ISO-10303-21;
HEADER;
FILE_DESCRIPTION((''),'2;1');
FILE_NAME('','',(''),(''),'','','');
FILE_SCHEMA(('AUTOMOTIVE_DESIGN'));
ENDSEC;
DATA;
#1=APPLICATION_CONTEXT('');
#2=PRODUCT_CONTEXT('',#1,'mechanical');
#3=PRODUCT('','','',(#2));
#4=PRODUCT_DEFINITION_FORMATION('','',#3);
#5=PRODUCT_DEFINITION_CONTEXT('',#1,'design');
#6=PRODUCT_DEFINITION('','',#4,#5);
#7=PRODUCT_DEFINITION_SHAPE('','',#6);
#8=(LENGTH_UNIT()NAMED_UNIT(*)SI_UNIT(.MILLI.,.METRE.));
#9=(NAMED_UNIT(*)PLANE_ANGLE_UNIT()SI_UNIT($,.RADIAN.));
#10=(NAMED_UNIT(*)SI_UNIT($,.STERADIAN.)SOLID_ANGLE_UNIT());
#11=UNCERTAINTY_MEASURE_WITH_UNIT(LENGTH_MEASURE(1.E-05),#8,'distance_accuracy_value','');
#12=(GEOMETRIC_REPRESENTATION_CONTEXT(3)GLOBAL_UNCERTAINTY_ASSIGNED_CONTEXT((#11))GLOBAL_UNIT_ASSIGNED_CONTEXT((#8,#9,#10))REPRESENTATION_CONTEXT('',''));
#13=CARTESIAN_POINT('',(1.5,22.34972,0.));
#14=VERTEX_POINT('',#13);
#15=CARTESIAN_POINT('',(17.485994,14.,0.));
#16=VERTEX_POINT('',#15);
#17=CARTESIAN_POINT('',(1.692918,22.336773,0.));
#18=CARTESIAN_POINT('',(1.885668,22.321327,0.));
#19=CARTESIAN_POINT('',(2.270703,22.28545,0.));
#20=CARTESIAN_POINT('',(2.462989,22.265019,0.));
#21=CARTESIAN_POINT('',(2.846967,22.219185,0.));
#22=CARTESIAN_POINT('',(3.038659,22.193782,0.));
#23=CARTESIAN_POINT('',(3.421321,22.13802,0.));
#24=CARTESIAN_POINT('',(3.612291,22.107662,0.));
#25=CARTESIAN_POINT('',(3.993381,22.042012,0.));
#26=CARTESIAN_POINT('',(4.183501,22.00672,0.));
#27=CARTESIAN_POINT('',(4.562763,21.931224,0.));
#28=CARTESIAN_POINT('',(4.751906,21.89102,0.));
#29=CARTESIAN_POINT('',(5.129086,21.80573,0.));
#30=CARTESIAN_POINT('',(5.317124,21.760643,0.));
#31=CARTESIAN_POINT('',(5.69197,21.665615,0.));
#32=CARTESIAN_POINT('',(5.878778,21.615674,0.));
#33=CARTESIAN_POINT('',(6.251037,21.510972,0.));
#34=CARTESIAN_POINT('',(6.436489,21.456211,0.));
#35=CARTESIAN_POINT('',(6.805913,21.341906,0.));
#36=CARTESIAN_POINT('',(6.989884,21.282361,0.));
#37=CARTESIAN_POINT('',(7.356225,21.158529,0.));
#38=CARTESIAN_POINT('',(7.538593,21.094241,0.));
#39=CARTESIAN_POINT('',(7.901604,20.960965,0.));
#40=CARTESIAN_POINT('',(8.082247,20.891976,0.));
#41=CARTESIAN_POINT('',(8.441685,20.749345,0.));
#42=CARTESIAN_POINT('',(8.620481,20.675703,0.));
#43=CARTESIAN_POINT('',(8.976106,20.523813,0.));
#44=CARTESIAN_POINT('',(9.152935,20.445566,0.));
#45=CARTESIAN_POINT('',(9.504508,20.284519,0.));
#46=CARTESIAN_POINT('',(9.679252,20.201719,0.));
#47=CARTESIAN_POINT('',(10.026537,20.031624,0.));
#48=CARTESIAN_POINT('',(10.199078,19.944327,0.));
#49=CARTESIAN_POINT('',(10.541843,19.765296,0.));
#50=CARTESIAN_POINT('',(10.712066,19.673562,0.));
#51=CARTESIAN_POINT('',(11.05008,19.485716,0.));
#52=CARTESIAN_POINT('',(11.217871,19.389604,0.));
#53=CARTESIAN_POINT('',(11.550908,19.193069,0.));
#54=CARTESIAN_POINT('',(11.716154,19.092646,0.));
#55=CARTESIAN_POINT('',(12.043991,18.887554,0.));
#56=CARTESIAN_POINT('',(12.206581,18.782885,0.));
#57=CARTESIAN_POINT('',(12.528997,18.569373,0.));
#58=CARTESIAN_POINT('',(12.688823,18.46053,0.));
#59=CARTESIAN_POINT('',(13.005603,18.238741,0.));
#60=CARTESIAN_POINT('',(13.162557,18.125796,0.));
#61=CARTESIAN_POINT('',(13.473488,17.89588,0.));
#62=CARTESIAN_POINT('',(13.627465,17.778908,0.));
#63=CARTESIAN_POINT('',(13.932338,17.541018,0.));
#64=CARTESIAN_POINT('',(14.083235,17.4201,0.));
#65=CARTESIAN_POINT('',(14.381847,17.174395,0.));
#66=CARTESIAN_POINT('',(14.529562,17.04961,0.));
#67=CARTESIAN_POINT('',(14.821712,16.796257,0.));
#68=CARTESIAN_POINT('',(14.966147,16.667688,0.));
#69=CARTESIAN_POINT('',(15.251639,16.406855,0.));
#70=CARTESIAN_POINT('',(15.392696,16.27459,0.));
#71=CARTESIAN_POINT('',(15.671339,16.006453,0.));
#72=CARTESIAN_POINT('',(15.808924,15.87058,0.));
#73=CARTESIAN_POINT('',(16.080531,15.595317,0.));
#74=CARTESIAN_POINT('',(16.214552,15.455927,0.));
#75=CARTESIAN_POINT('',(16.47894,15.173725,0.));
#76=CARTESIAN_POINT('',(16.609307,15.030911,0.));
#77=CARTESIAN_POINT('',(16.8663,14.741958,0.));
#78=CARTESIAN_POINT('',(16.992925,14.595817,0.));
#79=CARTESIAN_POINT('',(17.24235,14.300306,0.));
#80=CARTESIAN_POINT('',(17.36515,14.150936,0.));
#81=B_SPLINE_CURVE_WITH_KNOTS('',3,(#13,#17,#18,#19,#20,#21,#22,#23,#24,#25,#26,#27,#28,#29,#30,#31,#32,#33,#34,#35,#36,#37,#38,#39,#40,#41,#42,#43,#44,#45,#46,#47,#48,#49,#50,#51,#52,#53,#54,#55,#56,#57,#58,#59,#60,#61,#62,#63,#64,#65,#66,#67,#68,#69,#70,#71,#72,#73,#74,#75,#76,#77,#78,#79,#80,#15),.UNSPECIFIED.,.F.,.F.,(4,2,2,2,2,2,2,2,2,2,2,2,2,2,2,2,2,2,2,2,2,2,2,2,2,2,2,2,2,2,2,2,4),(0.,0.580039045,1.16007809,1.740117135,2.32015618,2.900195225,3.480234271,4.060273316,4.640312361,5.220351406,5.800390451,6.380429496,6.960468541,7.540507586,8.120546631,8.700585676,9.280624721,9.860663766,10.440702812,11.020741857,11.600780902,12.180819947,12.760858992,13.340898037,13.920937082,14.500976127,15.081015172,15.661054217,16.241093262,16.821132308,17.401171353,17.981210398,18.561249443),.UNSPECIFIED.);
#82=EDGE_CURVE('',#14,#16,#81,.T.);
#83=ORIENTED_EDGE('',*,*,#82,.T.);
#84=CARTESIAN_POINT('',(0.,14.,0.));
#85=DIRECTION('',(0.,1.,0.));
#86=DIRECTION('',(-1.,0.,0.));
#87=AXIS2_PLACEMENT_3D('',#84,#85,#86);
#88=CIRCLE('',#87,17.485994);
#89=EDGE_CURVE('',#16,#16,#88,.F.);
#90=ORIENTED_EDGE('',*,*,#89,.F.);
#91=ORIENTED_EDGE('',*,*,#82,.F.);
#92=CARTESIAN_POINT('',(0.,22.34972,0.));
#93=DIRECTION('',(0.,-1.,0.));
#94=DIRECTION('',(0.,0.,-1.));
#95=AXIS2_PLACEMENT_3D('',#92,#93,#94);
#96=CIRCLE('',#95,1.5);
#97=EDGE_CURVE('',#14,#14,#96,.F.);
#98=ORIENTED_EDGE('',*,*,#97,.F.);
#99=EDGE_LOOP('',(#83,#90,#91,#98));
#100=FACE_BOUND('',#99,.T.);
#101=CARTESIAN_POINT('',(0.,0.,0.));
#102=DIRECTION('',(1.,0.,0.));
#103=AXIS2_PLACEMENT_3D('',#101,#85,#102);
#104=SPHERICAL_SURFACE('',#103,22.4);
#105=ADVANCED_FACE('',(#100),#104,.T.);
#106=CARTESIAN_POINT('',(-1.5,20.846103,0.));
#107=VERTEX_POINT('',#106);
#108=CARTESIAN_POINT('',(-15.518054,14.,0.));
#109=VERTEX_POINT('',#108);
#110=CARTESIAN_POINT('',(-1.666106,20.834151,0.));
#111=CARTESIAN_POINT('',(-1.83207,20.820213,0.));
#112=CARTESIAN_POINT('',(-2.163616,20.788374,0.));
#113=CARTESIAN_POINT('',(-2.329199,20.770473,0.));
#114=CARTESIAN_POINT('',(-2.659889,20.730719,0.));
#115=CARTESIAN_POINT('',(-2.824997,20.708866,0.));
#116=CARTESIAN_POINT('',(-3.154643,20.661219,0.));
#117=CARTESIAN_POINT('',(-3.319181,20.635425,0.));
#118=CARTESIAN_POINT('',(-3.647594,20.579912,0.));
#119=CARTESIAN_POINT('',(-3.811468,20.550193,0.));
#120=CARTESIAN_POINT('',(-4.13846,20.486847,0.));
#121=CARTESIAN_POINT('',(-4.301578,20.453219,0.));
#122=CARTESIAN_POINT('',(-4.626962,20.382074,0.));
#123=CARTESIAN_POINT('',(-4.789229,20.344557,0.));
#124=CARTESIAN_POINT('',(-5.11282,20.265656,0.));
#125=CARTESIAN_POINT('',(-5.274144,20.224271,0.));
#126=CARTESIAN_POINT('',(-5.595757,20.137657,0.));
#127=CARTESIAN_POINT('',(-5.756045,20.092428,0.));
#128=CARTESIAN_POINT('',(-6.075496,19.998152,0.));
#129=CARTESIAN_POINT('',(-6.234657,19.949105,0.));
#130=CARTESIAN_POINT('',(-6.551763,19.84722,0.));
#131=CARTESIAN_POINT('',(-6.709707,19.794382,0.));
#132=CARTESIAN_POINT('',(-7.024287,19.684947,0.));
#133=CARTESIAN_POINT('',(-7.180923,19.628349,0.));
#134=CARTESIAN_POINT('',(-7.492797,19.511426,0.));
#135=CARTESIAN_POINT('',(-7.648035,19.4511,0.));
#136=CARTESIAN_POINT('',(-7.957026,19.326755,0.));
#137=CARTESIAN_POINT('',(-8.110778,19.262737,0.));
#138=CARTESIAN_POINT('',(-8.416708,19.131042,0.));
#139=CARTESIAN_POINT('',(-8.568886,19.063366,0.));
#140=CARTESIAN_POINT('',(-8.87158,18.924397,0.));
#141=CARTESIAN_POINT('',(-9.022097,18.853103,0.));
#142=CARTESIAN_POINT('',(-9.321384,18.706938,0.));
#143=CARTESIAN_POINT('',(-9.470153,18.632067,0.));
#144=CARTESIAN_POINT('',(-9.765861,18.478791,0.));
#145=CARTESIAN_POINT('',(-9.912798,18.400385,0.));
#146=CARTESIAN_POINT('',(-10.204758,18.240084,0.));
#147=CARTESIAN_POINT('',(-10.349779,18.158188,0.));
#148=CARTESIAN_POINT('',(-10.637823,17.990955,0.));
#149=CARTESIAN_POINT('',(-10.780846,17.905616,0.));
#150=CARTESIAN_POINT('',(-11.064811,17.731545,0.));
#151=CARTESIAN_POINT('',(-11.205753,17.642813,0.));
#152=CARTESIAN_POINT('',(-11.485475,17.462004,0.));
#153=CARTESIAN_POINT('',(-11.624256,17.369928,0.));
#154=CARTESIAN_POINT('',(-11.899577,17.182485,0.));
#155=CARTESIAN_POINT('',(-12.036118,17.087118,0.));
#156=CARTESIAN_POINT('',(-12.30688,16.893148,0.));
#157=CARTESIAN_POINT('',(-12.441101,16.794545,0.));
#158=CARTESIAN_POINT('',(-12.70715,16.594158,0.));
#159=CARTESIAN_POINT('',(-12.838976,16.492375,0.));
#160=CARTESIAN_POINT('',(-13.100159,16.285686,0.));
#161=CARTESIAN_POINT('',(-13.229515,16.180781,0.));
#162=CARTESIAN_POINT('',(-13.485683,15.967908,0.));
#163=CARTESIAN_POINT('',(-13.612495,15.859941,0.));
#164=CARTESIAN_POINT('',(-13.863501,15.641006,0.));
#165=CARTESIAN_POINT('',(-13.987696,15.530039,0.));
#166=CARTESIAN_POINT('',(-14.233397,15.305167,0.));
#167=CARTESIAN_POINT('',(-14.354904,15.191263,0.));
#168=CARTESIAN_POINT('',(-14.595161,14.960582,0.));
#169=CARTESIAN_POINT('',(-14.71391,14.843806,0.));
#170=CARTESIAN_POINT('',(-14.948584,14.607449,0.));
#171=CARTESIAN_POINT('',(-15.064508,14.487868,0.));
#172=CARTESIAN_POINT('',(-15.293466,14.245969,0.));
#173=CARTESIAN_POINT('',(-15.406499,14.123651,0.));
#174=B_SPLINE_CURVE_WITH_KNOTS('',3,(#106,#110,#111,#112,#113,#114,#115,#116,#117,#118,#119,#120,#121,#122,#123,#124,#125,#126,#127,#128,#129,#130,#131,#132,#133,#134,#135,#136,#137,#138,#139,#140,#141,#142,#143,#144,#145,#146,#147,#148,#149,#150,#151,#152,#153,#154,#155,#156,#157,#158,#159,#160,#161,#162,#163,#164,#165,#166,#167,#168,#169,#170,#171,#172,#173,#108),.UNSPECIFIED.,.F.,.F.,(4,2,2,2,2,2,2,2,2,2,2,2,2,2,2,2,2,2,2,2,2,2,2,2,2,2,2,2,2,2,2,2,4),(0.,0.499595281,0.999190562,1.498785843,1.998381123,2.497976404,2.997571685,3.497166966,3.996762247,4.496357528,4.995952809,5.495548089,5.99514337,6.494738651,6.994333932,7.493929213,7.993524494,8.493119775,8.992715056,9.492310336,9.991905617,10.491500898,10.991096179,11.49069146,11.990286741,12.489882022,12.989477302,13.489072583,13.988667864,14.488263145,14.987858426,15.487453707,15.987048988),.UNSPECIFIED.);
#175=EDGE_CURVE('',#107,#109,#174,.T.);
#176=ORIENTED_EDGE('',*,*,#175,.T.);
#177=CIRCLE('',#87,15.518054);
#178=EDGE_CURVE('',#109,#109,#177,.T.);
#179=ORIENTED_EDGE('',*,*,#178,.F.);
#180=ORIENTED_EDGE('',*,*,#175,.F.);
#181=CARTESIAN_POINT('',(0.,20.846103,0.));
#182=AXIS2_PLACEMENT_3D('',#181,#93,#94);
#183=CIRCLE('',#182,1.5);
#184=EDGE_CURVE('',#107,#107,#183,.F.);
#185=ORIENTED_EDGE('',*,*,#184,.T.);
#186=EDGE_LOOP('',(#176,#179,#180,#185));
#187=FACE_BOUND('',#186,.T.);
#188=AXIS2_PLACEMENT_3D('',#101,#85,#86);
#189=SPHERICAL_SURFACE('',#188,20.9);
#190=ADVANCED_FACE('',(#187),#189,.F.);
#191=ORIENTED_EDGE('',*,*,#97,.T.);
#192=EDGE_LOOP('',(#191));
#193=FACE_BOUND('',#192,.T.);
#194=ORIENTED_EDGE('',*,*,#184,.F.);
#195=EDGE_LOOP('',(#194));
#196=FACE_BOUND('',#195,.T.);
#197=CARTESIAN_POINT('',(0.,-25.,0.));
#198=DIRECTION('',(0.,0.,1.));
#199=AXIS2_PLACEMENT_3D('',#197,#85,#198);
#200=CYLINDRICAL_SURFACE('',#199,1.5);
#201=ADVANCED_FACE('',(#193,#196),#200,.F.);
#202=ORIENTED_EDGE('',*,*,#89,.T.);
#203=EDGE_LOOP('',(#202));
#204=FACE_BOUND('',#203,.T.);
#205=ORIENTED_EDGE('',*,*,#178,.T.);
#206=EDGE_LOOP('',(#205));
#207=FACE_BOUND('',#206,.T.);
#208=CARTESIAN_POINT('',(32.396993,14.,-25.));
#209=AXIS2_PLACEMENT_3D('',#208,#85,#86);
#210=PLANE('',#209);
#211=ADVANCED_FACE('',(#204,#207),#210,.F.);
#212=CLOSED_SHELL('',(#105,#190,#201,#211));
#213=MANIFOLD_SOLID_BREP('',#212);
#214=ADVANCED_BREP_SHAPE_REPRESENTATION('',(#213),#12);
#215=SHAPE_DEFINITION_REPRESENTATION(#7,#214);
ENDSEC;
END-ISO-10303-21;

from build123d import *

# Parameters (mm, degrees)
SKETCH3_W          = 65.903471667
SKETCH3_H          = 42.94663955
CUT_EXTRUDE1_DEPTH = 25
SKETCH5_R          = 1.5
CUT_EXTRUDE2_DEPTH = 25


with BuildPart() as part:
    # Sketch1 → Revolve1 (revolve)
    with BuildSketch(Plane.XY):
        with BuildLine():
            Line((0, 22.4), (0, 0))
            Line((0, 0), (0, -22.4))
            ThreePointArc((0, -22.4), (-22.4, 0), (0, 22.4))
        make_face()
    revolve(axis=Axis((0, 51.787709497, 0), (0, -1, 0)))

    # Sketch3 → Cut-Extrude1 (cut, symmetric)
    with BuildSketch(Plane.XY):
        with Locations((-0.554743028, -7.473319775)):
            Rectangle(SKETCH3_W, SKETCH3_H)
    extrude(amount=CUT_EXTRUDE1_DEPTH, both=True, mode=Mode.SUBTRACT)

    # Sketch4 → Cut-Revolve1 (revolve, cut)
    with BuildSketch(Plane.XY):
        with BuildLine():
            Line((0, 0), (0, 20.9))
            ThreePointArc((0, 20.9), (-20.9, 0), (0, -20.9))
            Line((0, -20.9), (0, 0))
        make_face()
    revolve(axis=Axis((0, 39.939026177, 0), (0, -1, 0)), mode=Mode.SUBTRACT)

    # Sketch5 → Cut-Extrude2 (cut, symmetric)
    with BuildSketch(Plane(origin=(0, 0, 0), x_dir=(1, 0, 0), z_dir=(0, 1, 0))):
        Circle(SKETCH5_R)
    extrude(amount=CUT_EXTRUDE2_DEPTH, both=True, mode=Mode.SUBTRACT)


solid = part.part
